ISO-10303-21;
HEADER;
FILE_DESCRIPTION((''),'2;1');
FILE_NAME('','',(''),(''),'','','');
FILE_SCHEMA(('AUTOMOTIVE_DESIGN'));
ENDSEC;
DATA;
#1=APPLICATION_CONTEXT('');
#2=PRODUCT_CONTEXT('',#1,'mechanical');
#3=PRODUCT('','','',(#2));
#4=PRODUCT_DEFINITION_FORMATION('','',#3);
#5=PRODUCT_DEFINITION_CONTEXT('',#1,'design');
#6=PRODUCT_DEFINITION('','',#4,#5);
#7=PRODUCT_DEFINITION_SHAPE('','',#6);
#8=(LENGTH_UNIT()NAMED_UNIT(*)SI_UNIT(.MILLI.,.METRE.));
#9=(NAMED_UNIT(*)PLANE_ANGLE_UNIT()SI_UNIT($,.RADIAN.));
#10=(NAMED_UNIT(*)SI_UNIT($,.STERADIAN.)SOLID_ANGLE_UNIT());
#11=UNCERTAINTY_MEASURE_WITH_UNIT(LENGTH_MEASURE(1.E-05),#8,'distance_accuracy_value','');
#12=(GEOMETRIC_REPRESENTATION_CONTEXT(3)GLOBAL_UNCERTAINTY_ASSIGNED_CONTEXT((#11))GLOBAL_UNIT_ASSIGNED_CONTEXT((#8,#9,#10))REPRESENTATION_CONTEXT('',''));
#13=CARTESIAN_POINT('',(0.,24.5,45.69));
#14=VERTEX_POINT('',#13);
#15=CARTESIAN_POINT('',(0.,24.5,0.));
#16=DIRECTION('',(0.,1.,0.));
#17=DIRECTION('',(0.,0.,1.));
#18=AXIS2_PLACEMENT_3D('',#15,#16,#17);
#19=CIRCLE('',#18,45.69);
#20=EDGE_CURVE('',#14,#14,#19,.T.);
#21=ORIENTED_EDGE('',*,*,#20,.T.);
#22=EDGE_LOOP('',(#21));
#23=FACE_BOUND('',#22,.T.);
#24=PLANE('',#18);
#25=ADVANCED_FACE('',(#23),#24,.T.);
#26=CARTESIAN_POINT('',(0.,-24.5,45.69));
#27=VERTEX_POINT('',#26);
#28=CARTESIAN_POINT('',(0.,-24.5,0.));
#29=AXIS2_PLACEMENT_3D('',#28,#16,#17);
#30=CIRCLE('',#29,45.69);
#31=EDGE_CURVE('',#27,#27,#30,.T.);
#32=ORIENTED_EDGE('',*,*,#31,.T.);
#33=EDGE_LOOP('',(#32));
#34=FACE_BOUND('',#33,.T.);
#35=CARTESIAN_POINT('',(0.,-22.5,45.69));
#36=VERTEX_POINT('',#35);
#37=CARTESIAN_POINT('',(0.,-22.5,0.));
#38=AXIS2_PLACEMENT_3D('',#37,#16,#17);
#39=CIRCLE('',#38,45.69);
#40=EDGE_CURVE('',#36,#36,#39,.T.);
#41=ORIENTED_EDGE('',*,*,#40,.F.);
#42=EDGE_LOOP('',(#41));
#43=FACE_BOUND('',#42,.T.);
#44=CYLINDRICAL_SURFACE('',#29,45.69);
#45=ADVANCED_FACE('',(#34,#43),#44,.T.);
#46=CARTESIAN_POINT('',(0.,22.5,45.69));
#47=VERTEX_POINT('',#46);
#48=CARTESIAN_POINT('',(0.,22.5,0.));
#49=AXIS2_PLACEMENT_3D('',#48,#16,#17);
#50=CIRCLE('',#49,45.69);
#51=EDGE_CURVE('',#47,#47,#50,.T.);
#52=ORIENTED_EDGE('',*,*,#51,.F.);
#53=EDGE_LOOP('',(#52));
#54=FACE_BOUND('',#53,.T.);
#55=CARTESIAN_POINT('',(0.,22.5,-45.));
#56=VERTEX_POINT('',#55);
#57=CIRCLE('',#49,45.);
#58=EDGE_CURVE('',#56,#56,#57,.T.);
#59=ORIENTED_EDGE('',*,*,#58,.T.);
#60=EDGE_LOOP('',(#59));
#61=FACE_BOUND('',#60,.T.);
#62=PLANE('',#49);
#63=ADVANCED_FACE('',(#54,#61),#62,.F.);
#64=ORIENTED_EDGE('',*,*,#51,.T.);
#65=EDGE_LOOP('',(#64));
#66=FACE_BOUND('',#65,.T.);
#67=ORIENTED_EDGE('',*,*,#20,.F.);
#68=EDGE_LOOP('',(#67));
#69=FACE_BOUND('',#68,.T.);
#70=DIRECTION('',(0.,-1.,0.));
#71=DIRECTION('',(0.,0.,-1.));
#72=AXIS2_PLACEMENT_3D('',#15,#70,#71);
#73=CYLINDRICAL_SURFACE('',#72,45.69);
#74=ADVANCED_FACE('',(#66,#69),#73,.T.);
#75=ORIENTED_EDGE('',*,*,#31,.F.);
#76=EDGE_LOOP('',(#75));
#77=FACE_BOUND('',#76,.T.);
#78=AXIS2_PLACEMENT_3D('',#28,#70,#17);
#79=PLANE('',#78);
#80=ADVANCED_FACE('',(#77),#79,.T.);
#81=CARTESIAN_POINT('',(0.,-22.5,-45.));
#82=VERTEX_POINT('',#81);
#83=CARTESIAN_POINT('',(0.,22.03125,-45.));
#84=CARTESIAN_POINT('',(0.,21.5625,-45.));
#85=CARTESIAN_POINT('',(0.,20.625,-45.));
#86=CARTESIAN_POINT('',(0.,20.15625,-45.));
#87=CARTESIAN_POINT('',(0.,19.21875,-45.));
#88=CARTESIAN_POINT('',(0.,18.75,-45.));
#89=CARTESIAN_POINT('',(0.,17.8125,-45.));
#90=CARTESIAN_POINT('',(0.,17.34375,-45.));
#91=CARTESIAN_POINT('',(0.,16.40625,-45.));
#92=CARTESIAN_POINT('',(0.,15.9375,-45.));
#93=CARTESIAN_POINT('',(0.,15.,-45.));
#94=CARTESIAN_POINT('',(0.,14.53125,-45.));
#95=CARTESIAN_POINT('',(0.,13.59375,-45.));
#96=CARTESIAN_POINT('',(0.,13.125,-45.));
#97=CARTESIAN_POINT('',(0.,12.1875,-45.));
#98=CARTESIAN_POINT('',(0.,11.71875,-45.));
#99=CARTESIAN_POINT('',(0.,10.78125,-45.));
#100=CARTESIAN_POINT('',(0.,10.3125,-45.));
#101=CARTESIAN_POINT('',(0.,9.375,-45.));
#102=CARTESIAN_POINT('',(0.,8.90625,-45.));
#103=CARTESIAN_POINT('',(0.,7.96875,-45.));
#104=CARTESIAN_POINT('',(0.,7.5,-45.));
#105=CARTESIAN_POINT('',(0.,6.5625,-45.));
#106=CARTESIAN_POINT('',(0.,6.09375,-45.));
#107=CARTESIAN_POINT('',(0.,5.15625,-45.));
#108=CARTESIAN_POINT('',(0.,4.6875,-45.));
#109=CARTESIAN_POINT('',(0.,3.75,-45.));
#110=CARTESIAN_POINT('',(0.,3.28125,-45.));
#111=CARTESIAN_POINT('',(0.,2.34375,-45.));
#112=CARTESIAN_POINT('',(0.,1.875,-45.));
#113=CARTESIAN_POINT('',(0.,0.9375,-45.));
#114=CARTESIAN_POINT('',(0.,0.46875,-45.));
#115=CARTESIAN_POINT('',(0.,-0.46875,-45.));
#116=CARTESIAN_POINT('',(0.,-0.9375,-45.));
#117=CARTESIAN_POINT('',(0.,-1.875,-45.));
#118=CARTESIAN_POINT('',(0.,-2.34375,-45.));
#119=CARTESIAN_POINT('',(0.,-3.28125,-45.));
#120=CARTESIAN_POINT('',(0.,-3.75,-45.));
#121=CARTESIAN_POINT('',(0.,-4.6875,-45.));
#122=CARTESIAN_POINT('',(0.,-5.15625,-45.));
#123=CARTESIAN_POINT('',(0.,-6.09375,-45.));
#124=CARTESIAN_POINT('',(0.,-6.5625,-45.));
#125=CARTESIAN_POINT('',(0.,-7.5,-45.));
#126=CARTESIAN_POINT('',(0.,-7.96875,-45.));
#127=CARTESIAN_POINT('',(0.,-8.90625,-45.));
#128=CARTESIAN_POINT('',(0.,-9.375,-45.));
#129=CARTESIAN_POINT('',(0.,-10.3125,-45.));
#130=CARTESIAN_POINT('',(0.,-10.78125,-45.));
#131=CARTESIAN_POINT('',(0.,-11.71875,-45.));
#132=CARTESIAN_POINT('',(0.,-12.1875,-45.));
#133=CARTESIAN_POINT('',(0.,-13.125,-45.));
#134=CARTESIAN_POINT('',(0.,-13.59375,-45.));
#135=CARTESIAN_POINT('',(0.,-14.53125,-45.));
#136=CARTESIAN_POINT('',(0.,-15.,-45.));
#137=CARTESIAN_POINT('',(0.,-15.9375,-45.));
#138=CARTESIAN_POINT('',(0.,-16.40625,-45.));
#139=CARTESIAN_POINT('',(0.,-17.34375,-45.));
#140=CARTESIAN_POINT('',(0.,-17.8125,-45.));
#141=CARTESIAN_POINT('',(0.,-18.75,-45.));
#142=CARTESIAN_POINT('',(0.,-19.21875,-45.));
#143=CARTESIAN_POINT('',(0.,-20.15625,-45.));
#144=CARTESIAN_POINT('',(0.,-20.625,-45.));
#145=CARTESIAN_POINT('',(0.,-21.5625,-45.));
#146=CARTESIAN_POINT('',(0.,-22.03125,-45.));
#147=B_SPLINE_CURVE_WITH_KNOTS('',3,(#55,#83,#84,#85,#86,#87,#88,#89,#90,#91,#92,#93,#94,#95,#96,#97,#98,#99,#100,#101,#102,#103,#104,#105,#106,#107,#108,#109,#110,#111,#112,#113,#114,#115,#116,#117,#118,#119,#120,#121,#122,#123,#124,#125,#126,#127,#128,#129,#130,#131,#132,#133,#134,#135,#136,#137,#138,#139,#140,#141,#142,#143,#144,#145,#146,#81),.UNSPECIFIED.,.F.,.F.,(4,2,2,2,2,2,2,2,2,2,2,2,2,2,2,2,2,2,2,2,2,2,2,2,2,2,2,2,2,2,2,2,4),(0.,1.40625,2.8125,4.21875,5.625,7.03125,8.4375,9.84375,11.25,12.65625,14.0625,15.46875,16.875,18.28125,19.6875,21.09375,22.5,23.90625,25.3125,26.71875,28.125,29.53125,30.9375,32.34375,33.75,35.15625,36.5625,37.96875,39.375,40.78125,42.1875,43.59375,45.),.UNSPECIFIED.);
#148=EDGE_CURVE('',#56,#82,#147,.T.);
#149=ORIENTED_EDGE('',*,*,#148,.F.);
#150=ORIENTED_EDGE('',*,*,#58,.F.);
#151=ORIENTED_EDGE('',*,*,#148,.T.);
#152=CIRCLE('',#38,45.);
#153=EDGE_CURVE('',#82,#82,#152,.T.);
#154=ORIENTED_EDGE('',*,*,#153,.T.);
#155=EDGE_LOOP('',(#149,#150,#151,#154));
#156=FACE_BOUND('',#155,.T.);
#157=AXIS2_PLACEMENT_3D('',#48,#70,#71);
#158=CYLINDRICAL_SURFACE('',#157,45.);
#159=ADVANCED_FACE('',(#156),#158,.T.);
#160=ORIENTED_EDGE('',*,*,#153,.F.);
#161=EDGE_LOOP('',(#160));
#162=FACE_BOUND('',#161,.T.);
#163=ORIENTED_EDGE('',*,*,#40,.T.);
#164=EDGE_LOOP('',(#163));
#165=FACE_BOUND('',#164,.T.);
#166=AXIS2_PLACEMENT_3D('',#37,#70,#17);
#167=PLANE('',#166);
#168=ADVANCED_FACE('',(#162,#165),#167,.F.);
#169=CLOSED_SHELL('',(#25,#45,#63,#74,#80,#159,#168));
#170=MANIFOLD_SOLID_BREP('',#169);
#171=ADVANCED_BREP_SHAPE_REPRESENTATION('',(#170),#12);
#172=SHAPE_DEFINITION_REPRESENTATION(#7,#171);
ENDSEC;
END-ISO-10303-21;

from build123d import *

# Parameters (mm, degrees)
SKETCH1_R           = 45
BOSS_EXTRUDE1_DEPTH = 22.5
SKETCH2_R           = 45.69
BOSS_EXTRUDE2_DEPTH = 2


with BuildPart() as part:
    # Sketch1 → Boss-Extrude1 (new, symmetric)
    with BuildSketch(Plane(origin=(0, 0, 0), x_dir=(1, 0, 0), z_dir=(0, 1, 0))):
        with Locations(Location((0, 0, 0), (0, 0, 90))):
            Circle(SKETCH1_R)
    extrude(amount=BOSS_EXTRUDE1_DEPTH, both=True)

    # Sketch2 → Boss-Extrude2 (add)
    with BuildSketch(Plane(origin=(0, 22.5, 0), x_dir=(1, 0, 0), z_dir=(0, 1, 0))):
        with Locations(Location((0, 0, 0), (0, 0, 270))):
            Circle(SKETCH2_R)
    boss_extrude2 = extrude(amount=BOSS_EXTRUDE2_DEPTH)

    # Mirror1: Boss-Extrude2 across plane
    add(boss_extrude2.mirror(Plane.ZX))


solid = part.part
